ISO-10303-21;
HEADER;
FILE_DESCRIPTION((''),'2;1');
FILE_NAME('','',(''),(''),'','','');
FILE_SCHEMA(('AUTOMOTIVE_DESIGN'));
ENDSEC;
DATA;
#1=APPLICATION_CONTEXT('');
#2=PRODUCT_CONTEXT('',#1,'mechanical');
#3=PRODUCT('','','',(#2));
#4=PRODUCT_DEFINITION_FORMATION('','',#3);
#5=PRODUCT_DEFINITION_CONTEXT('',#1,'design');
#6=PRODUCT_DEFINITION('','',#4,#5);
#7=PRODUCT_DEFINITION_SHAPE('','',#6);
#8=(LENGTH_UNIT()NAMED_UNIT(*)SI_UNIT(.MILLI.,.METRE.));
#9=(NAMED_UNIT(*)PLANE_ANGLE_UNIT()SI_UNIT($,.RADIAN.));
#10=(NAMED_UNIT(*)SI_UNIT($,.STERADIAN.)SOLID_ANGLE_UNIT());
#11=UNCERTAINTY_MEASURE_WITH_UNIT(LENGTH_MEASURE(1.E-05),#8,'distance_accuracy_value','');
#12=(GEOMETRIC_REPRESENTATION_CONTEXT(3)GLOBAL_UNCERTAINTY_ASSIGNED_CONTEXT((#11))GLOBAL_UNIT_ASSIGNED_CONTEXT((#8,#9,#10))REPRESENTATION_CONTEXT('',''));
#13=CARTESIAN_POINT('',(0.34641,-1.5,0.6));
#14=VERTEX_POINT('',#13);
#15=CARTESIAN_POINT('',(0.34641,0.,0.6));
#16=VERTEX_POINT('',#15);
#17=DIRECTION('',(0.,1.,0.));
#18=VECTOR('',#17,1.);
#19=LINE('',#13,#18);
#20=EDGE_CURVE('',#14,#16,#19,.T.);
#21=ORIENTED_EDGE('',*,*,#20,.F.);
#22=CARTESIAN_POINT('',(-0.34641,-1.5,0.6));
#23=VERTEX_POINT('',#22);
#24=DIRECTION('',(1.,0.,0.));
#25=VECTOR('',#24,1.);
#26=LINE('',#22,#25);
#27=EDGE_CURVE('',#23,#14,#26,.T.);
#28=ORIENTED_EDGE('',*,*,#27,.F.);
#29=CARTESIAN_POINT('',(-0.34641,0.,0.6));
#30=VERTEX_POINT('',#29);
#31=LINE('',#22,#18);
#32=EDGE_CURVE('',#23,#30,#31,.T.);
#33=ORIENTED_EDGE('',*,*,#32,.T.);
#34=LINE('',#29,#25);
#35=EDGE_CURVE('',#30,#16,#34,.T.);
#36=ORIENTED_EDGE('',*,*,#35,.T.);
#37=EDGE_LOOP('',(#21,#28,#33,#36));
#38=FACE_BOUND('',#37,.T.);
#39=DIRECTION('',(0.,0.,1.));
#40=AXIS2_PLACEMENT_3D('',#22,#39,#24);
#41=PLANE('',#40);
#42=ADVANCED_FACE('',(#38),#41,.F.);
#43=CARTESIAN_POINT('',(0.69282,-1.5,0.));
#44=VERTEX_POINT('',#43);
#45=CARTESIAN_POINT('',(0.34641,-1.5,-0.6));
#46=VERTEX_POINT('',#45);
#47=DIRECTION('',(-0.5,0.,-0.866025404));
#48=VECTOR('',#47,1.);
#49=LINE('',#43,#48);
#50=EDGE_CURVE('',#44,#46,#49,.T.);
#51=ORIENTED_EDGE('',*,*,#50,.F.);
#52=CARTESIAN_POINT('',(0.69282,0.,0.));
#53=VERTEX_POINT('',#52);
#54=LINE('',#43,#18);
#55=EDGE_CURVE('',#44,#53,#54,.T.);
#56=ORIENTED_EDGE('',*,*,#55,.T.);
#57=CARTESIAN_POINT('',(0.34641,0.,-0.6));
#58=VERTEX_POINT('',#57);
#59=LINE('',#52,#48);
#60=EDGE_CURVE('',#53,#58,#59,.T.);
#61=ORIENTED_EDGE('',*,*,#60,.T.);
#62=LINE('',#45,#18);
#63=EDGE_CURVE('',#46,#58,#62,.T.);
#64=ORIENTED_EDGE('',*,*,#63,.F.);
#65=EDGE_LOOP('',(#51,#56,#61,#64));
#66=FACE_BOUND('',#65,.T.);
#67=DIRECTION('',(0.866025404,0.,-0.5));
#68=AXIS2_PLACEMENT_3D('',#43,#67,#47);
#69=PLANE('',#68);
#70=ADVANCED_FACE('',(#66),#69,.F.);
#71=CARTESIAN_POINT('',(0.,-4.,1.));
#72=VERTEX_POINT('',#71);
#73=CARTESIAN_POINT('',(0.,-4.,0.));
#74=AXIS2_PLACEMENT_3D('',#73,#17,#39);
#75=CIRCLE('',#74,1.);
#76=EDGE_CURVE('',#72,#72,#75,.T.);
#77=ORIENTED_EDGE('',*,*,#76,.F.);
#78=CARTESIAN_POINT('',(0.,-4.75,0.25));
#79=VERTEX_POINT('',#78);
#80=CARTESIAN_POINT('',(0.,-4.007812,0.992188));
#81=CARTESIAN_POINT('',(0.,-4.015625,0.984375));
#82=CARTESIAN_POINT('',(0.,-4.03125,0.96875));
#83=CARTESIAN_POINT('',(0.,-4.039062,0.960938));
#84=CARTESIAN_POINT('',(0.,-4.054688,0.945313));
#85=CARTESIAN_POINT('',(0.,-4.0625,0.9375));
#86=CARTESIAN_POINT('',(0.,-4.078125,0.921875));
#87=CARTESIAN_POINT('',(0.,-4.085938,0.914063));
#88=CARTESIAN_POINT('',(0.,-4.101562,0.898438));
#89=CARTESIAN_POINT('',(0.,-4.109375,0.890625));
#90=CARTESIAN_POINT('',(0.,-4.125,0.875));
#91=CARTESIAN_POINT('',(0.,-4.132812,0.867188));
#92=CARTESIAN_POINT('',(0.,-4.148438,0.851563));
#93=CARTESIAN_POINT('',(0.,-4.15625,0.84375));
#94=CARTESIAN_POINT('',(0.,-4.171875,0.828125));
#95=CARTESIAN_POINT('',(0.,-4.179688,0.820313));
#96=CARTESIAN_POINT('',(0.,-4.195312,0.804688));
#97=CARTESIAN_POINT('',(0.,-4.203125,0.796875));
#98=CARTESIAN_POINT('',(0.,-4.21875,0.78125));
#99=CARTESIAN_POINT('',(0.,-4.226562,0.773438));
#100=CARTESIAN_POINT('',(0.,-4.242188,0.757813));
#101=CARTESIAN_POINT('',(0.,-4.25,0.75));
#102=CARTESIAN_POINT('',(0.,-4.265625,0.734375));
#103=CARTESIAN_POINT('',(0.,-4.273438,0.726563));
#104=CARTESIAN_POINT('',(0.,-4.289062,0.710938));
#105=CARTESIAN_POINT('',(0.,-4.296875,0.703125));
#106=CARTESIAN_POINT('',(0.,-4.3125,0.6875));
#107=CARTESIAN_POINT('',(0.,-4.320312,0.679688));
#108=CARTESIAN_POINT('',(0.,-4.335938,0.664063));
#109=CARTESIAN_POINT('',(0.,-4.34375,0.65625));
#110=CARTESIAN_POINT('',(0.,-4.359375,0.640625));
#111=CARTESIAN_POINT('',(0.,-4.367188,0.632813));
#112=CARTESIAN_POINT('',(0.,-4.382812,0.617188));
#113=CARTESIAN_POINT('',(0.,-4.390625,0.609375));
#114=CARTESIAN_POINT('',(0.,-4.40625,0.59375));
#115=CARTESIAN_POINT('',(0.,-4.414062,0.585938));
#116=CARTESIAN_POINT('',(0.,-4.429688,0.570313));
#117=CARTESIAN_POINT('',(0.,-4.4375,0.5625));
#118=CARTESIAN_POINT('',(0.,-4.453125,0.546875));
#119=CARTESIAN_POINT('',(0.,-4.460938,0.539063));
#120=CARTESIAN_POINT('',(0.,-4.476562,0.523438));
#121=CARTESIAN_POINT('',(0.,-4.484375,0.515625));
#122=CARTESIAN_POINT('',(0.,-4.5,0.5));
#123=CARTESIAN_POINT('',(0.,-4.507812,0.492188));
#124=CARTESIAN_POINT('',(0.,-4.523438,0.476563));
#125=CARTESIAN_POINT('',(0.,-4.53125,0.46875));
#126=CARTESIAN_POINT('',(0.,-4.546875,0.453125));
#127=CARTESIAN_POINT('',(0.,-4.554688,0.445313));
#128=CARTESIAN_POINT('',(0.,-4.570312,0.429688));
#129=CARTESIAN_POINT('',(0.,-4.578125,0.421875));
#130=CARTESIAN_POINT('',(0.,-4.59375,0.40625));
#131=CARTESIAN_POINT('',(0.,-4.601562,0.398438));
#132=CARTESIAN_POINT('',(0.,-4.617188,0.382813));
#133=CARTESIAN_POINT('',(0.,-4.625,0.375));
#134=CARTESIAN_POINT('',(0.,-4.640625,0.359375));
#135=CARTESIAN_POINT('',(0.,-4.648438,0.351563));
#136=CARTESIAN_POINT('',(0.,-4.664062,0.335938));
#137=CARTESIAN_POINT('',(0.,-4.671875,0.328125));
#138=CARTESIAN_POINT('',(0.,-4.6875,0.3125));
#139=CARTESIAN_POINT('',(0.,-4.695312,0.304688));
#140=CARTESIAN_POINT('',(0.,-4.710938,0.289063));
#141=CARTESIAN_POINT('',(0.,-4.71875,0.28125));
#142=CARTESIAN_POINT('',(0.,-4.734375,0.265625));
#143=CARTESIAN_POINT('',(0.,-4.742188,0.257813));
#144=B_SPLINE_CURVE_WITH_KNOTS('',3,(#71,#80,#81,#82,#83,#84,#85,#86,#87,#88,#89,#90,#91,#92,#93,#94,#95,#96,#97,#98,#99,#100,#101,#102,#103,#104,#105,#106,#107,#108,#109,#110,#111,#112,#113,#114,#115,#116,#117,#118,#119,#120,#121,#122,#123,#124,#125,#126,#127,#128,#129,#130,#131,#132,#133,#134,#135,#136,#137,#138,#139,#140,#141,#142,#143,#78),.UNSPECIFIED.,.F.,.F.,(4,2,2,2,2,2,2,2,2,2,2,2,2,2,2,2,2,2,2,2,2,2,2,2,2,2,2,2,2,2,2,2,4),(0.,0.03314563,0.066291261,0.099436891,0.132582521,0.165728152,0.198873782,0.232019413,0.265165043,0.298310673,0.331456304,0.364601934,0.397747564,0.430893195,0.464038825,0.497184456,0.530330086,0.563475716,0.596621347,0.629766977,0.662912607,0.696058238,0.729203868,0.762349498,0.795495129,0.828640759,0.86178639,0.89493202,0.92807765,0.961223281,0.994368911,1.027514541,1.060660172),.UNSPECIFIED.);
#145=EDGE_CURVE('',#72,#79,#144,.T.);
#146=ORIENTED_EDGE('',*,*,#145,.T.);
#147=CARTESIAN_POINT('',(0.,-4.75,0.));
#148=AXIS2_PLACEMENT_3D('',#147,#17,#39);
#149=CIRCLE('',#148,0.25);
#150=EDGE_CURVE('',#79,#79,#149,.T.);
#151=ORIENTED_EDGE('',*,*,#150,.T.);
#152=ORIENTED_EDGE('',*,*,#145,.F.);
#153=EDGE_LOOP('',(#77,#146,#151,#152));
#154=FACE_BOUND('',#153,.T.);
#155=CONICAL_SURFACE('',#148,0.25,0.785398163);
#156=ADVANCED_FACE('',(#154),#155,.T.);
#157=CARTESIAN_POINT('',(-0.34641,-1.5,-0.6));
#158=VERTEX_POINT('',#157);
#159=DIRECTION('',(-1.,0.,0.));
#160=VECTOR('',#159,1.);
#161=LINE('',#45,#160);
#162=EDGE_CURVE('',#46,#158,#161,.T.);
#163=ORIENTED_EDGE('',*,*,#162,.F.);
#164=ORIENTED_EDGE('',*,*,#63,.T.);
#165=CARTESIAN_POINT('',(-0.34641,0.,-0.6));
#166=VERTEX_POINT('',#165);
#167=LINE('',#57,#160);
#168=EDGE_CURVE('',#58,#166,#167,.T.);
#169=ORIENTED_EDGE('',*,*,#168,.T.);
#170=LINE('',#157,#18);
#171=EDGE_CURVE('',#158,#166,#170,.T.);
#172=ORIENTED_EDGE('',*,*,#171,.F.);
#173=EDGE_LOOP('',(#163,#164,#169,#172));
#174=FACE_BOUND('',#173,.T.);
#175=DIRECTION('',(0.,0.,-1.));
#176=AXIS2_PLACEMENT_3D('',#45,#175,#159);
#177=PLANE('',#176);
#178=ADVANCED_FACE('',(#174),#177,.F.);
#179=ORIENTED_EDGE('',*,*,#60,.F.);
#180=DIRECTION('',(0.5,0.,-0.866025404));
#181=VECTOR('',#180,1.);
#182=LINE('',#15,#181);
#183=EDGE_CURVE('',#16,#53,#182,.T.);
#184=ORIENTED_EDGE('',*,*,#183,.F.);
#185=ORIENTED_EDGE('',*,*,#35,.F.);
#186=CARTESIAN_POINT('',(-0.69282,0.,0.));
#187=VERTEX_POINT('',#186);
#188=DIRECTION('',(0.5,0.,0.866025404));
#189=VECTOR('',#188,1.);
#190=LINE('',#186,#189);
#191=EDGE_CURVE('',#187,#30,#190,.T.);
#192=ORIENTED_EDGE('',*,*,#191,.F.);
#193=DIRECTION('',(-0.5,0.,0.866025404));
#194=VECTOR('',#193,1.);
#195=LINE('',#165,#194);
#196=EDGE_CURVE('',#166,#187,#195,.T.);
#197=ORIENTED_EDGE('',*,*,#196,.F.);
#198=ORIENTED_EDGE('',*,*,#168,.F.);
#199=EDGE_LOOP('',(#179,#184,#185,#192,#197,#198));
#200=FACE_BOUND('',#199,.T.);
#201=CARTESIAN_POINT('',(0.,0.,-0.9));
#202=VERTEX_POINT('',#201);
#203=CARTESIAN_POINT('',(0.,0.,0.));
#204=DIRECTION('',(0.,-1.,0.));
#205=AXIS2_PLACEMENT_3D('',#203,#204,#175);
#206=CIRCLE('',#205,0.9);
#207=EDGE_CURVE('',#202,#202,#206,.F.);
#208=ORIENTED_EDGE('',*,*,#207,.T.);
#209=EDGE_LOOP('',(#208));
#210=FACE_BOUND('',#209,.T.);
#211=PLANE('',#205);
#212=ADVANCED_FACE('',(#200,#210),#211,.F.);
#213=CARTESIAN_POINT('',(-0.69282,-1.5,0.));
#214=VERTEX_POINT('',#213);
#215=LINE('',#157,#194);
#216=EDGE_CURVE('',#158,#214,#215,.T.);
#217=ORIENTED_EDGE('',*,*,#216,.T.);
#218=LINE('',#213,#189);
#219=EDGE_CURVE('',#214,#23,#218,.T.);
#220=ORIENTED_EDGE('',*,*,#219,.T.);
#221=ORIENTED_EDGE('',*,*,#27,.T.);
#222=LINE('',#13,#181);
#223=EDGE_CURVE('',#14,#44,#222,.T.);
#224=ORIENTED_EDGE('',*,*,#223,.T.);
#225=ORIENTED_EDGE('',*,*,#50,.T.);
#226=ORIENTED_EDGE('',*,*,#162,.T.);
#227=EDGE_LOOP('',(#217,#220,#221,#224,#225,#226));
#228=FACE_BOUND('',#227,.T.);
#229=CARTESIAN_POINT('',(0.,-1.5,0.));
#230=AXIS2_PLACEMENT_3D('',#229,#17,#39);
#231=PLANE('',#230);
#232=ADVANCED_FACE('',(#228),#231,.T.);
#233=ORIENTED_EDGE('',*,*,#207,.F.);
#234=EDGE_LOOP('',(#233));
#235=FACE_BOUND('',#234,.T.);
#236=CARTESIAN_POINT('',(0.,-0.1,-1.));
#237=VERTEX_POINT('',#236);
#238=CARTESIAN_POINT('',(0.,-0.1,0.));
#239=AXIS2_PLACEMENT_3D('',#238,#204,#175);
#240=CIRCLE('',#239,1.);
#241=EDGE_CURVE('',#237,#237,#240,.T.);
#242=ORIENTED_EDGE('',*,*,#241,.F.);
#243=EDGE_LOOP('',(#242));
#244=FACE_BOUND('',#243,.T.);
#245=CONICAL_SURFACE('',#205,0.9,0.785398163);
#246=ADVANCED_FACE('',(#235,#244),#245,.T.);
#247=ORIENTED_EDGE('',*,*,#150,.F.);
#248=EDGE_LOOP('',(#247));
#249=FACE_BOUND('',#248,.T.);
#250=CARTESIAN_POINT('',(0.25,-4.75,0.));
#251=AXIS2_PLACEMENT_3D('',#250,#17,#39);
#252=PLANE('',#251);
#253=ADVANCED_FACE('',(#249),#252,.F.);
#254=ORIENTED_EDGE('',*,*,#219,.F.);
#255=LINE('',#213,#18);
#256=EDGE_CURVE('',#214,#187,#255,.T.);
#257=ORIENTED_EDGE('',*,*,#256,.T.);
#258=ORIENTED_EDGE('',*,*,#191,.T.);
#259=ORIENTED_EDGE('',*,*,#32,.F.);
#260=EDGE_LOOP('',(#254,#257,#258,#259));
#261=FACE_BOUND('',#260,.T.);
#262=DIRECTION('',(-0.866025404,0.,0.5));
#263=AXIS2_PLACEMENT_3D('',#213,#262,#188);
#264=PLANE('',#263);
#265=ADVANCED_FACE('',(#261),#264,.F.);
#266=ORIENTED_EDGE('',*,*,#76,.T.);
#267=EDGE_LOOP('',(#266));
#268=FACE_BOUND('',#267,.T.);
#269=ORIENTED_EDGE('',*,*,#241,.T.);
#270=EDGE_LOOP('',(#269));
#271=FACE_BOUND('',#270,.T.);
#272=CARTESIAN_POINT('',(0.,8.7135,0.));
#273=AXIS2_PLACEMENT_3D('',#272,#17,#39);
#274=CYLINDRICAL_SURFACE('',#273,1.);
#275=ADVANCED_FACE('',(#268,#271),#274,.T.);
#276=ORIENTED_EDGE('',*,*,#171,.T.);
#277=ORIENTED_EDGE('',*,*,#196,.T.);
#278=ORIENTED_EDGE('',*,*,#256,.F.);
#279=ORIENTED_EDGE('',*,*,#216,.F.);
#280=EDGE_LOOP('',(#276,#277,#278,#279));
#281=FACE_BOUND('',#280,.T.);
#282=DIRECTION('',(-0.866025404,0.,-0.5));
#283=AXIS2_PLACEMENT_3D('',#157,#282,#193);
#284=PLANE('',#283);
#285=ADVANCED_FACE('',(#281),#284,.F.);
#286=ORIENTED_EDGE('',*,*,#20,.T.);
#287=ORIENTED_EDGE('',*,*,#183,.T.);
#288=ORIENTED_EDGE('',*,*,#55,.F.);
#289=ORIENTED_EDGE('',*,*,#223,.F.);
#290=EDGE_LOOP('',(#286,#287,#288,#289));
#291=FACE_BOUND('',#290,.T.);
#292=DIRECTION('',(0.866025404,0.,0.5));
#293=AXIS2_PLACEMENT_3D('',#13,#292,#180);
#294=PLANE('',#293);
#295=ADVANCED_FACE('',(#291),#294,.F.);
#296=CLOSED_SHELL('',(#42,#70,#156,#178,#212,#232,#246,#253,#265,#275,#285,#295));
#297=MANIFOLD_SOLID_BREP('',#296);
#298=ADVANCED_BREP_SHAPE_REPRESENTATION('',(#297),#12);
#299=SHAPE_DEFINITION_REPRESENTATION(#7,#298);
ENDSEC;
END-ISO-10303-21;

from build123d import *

# Parameters (mm, degrees)
CUT_EXTRUDE_1_DEPTH = 1.5
CHAMFER_1_SIZE      = 0.1


with BuildPart() as part:
    # 草图1 → 旋转1 (revolve)
    with BuildSketch(Plane.XY, mode=Mode.PRIVATE) as revolve_1_sk:
        Polygon((0, 0), (1, 0), (1, -4), (0.25, -4.75), (0, -4.75), align=None)
    revolve(revolve_1_sk.sketch.rotate(Axis((0, 8.713500289, 0), (0, -1, 0)), 90), axis=Axis((0, 8.713500289, 0), (0, -1, 0)))

    # 草图2 → 切除-拉伸1 (cut)
    with BuildSketch(Plane(origin=(0, 0, 0), x_dir=(1, 0, 0), z_dir=(0, 1, 0))):
        Polygon((-0.346410162, -0.6), (0.346410162, -0.6), (0.692820323, 0), (0.346410162, 0.6), (-0.346410162, 0.6), (-0.692820323, 0), align=None)
    extrude(amount=-CUT_EXTRUDE_1_DEPTH, mode=Mode.SUBTRACT)

    # 倒角1
    chamfer_1_edges = [part.edges().sort_by_distance(p)[0] for p in [
        (0, 0, -1),
    ]]
    chamfer(chamfer_1_edges, length=CHAMFER_1_SIZE)


solid = part.part
